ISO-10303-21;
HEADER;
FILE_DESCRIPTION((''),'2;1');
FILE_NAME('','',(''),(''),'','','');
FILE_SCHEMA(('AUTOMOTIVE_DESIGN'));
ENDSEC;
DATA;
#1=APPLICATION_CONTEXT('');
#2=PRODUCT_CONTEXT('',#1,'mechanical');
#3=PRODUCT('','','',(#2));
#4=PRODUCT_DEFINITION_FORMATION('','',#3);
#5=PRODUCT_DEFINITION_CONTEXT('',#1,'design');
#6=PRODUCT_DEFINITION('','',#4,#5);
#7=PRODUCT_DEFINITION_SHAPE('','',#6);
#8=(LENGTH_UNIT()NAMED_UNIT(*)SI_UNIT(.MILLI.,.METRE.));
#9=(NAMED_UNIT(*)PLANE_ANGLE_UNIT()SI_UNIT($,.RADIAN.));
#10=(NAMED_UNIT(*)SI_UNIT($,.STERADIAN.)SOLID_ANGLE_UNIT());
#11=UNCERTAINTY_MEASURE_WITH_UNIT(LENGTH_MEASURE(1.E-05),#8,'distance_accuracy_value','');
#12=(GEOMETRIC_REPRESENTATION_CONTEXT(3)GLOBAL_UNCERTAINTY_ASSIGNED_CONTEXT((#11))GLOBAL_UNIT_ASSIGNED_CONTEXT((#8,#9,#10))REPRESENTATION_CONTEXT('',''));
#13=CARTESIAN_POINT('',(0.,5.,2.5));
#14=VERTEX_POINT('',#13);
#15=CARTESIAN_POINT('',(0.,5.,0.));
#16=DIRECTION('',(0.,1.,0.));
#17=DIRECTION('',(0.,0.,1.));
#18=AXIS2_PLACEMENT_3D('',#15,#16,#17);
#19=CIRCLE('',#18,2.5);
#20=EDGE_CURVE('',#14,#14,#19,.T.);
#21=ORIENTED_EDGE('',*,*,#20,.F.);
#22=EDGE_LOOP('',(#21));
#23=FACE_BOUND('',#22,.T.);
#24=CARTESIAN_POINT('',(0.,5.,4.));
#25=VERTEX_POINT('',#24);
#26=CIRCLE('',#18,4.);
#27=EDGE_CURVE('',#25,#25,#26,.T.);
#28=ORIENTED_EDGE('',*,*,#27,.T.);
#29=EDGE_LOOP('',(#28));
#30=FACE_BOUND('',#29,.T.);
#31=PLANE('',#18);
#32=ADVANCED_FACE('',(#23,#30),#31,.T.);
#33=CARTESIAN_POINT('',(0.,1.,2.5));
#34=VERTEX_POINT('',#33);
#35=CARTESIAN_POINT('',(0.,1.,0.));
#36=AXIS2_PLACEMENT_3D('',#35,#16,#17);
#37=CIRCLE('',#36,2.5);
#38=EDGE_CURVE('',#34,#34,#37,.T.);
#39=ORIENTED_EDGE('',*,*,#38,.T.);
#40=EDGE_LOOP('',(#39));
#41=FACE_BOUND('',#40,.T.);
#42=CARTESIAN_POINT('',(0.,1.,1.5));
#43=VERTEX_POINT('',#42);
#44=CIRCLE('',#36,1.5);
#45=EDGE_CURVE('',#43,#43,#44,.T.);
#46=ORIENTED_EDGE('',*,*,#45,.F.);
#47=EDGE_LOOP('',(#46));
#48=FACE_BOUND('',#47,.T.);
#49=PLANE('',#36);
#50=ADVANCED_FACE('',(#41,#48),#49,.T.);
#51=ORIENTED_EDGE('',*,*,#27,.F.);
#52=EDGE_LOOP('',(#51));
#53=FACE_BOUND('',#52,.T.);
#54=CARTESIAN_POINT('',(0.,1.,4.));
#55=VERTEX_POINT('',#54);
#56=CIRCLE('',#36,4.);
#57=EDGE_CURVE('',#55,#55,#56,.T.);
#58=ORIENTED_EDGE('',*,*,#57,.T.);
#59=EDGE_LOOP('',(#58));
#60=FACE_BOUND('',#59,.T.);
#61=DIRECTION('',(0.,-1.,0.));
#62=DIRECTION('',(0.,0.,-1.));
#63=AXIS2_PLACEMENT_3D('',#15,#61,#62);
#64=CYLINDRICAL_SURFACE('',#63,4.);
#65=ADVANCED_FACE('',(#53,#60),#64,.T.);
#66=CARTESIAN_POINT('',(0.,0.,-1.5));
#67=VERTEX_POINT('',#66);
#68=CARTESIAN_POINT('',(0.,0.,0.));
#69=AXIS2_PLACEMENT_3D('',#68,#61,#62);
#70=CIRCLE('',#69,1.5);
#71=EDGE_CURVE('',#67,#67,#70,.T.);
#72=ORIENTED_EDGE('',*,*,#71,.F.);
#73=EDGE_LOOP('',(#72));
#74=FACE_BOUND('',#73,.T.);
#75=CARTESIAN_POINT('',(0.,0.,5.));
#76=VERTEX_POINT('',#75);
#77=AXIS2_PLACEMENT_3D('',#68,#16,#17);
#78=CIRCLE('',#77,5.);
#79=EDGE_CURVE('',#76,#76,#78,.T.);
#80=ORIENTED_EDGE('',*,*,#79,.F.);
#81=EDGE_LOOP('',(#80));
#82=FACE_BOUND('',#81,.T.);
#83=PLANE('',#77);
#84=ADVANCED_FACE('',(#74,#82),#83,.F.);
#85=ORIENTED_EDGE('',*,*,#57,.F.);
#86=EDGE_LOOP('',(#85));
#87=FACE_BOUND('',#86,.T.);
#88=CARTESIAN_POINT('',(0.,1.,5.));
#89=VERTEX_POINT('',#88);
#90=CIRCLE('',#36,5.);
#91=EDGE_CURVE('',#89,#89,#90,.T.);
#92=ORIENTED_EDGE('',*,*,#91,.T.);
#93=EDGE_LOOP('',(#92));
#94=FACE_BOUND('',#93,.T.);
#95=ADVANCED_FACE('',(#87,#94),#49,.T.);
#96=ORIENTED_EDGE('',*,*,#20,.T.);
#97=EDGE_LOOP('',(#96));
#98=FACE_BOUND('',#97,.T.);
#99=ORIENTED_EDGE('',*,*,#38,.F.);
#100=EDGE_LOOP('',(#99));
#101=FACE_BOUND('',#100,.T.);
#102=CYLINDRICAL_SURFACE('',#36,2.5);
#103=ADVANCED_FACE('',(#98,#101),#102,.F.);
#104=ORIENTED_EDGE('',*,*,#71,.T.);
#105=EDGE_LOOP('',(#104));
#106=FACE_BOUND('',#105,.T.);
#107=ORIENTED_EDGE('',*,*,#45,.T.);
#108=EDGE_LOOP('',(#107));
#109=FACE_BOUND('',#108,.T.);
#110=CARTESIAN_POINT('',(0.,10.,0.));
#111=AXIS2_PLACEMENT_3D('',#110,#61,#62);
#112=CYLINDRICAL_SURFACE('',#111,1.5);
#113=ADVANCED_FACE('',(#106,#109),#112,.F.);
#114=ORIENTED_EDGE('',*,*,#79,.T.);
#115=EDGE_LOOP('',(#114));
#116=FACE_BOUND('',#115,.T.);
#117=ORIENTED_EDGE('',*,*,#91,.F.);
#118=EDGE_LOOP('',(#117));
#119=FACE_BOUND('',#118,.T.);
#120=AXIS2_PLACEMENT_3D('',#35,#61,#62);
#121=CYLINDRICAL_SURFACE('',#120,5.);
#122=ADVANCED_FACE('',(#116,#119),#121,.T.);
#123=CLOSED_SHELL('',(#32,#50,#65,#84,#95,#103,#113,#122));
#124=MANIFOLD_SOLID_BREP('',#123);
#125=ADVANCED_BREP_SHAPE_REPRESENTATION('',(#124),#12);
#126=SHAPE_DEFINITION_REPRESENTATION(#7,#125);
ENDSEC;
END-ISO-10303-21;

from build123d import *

# Parameters (mm, degrees)
SKETCH1_R           = 5
BOSS_EXTRUDE1_DEPTH = 1
SKETCH2_R           = 4
BOSS_EXTRUDE4_DEPTH = 4
SKETCH5_R           = 2.5
CUT_EXTRUDE4_DEPTH  = 4
SKETCH6_R           = 1.25
CUT_EXTRUDE5_DEPTH  = 4
SKETCH7_R           = 1.5
CUT_EXTRUDE6_DEPTH  = 10


with BuildPart() as part:
    # Sketch1 → Boss-Extrude1 (new body)
    with BuildSketch(Plane(origin=(0, 0, 0), x_dir=(1, 0, 0), z_dir=(0, 1, 0))):
        with Locations(Location((0, 0, 0), (0, 0, 270))):
            Circle(SKETCH1_R)
    extrude(amount=BOSS_EXTRUDE1_DEPTH)

    # Sketch2 → Boss-Extrude4 (add)
    with BuildSketch(Plane(origin=(0, 1, 0), x_dir=(1, 0, 0), z_dir=(0, 1, 0))):
        with Locations(Location((0, 0, 0), (0, 0, 270))):
            Circle(SKETCH2_R)
    extrude(amount=BOSS_EXTRUDE4_DEPTH)

    # Sketch5 → Cut-Extrude4 (cut)
    with BuildSketch(Plane(origin=(0, 5, 0), x_dir=(1, 0, 0), z_dir=(0, 1, 0))):
        with Locations(Location((0, 0, 0), (0, 0, 270))):
            Circle(SKETCH5_R)
    extrude(amount=-CUT_EXTRUDE4_DEPTH, mode=Mode.SUBTRACT)

    # Sketch6 → Cut-Extrude5 (cut)
    with BuildSketch(Plane(origin=(0, 1, 0), x_dir=(1, 0, 0), z_dir=(0, 1, 0))):
        with Locations(Location((0, 0, 0), (0, 0, 270))):
            Circle(SKETCH6_R)
    extrude(amount=-CUT_EXTRUDE5_DEPTH, mode=Mode.SUBTRACT)

    # Sketch7 → Cut-Extrude6 (cut)
    with BuildSketch(Plane.XZ):
        with Locations(Location((0, 0, 0), (0, 0, 270))):
            Circle(SKETCH7_R)
    extrude(amount=-CUT_EXTRUDE6_DEPTH, mode=Mode.SUBTRACT)


solid = part.part
